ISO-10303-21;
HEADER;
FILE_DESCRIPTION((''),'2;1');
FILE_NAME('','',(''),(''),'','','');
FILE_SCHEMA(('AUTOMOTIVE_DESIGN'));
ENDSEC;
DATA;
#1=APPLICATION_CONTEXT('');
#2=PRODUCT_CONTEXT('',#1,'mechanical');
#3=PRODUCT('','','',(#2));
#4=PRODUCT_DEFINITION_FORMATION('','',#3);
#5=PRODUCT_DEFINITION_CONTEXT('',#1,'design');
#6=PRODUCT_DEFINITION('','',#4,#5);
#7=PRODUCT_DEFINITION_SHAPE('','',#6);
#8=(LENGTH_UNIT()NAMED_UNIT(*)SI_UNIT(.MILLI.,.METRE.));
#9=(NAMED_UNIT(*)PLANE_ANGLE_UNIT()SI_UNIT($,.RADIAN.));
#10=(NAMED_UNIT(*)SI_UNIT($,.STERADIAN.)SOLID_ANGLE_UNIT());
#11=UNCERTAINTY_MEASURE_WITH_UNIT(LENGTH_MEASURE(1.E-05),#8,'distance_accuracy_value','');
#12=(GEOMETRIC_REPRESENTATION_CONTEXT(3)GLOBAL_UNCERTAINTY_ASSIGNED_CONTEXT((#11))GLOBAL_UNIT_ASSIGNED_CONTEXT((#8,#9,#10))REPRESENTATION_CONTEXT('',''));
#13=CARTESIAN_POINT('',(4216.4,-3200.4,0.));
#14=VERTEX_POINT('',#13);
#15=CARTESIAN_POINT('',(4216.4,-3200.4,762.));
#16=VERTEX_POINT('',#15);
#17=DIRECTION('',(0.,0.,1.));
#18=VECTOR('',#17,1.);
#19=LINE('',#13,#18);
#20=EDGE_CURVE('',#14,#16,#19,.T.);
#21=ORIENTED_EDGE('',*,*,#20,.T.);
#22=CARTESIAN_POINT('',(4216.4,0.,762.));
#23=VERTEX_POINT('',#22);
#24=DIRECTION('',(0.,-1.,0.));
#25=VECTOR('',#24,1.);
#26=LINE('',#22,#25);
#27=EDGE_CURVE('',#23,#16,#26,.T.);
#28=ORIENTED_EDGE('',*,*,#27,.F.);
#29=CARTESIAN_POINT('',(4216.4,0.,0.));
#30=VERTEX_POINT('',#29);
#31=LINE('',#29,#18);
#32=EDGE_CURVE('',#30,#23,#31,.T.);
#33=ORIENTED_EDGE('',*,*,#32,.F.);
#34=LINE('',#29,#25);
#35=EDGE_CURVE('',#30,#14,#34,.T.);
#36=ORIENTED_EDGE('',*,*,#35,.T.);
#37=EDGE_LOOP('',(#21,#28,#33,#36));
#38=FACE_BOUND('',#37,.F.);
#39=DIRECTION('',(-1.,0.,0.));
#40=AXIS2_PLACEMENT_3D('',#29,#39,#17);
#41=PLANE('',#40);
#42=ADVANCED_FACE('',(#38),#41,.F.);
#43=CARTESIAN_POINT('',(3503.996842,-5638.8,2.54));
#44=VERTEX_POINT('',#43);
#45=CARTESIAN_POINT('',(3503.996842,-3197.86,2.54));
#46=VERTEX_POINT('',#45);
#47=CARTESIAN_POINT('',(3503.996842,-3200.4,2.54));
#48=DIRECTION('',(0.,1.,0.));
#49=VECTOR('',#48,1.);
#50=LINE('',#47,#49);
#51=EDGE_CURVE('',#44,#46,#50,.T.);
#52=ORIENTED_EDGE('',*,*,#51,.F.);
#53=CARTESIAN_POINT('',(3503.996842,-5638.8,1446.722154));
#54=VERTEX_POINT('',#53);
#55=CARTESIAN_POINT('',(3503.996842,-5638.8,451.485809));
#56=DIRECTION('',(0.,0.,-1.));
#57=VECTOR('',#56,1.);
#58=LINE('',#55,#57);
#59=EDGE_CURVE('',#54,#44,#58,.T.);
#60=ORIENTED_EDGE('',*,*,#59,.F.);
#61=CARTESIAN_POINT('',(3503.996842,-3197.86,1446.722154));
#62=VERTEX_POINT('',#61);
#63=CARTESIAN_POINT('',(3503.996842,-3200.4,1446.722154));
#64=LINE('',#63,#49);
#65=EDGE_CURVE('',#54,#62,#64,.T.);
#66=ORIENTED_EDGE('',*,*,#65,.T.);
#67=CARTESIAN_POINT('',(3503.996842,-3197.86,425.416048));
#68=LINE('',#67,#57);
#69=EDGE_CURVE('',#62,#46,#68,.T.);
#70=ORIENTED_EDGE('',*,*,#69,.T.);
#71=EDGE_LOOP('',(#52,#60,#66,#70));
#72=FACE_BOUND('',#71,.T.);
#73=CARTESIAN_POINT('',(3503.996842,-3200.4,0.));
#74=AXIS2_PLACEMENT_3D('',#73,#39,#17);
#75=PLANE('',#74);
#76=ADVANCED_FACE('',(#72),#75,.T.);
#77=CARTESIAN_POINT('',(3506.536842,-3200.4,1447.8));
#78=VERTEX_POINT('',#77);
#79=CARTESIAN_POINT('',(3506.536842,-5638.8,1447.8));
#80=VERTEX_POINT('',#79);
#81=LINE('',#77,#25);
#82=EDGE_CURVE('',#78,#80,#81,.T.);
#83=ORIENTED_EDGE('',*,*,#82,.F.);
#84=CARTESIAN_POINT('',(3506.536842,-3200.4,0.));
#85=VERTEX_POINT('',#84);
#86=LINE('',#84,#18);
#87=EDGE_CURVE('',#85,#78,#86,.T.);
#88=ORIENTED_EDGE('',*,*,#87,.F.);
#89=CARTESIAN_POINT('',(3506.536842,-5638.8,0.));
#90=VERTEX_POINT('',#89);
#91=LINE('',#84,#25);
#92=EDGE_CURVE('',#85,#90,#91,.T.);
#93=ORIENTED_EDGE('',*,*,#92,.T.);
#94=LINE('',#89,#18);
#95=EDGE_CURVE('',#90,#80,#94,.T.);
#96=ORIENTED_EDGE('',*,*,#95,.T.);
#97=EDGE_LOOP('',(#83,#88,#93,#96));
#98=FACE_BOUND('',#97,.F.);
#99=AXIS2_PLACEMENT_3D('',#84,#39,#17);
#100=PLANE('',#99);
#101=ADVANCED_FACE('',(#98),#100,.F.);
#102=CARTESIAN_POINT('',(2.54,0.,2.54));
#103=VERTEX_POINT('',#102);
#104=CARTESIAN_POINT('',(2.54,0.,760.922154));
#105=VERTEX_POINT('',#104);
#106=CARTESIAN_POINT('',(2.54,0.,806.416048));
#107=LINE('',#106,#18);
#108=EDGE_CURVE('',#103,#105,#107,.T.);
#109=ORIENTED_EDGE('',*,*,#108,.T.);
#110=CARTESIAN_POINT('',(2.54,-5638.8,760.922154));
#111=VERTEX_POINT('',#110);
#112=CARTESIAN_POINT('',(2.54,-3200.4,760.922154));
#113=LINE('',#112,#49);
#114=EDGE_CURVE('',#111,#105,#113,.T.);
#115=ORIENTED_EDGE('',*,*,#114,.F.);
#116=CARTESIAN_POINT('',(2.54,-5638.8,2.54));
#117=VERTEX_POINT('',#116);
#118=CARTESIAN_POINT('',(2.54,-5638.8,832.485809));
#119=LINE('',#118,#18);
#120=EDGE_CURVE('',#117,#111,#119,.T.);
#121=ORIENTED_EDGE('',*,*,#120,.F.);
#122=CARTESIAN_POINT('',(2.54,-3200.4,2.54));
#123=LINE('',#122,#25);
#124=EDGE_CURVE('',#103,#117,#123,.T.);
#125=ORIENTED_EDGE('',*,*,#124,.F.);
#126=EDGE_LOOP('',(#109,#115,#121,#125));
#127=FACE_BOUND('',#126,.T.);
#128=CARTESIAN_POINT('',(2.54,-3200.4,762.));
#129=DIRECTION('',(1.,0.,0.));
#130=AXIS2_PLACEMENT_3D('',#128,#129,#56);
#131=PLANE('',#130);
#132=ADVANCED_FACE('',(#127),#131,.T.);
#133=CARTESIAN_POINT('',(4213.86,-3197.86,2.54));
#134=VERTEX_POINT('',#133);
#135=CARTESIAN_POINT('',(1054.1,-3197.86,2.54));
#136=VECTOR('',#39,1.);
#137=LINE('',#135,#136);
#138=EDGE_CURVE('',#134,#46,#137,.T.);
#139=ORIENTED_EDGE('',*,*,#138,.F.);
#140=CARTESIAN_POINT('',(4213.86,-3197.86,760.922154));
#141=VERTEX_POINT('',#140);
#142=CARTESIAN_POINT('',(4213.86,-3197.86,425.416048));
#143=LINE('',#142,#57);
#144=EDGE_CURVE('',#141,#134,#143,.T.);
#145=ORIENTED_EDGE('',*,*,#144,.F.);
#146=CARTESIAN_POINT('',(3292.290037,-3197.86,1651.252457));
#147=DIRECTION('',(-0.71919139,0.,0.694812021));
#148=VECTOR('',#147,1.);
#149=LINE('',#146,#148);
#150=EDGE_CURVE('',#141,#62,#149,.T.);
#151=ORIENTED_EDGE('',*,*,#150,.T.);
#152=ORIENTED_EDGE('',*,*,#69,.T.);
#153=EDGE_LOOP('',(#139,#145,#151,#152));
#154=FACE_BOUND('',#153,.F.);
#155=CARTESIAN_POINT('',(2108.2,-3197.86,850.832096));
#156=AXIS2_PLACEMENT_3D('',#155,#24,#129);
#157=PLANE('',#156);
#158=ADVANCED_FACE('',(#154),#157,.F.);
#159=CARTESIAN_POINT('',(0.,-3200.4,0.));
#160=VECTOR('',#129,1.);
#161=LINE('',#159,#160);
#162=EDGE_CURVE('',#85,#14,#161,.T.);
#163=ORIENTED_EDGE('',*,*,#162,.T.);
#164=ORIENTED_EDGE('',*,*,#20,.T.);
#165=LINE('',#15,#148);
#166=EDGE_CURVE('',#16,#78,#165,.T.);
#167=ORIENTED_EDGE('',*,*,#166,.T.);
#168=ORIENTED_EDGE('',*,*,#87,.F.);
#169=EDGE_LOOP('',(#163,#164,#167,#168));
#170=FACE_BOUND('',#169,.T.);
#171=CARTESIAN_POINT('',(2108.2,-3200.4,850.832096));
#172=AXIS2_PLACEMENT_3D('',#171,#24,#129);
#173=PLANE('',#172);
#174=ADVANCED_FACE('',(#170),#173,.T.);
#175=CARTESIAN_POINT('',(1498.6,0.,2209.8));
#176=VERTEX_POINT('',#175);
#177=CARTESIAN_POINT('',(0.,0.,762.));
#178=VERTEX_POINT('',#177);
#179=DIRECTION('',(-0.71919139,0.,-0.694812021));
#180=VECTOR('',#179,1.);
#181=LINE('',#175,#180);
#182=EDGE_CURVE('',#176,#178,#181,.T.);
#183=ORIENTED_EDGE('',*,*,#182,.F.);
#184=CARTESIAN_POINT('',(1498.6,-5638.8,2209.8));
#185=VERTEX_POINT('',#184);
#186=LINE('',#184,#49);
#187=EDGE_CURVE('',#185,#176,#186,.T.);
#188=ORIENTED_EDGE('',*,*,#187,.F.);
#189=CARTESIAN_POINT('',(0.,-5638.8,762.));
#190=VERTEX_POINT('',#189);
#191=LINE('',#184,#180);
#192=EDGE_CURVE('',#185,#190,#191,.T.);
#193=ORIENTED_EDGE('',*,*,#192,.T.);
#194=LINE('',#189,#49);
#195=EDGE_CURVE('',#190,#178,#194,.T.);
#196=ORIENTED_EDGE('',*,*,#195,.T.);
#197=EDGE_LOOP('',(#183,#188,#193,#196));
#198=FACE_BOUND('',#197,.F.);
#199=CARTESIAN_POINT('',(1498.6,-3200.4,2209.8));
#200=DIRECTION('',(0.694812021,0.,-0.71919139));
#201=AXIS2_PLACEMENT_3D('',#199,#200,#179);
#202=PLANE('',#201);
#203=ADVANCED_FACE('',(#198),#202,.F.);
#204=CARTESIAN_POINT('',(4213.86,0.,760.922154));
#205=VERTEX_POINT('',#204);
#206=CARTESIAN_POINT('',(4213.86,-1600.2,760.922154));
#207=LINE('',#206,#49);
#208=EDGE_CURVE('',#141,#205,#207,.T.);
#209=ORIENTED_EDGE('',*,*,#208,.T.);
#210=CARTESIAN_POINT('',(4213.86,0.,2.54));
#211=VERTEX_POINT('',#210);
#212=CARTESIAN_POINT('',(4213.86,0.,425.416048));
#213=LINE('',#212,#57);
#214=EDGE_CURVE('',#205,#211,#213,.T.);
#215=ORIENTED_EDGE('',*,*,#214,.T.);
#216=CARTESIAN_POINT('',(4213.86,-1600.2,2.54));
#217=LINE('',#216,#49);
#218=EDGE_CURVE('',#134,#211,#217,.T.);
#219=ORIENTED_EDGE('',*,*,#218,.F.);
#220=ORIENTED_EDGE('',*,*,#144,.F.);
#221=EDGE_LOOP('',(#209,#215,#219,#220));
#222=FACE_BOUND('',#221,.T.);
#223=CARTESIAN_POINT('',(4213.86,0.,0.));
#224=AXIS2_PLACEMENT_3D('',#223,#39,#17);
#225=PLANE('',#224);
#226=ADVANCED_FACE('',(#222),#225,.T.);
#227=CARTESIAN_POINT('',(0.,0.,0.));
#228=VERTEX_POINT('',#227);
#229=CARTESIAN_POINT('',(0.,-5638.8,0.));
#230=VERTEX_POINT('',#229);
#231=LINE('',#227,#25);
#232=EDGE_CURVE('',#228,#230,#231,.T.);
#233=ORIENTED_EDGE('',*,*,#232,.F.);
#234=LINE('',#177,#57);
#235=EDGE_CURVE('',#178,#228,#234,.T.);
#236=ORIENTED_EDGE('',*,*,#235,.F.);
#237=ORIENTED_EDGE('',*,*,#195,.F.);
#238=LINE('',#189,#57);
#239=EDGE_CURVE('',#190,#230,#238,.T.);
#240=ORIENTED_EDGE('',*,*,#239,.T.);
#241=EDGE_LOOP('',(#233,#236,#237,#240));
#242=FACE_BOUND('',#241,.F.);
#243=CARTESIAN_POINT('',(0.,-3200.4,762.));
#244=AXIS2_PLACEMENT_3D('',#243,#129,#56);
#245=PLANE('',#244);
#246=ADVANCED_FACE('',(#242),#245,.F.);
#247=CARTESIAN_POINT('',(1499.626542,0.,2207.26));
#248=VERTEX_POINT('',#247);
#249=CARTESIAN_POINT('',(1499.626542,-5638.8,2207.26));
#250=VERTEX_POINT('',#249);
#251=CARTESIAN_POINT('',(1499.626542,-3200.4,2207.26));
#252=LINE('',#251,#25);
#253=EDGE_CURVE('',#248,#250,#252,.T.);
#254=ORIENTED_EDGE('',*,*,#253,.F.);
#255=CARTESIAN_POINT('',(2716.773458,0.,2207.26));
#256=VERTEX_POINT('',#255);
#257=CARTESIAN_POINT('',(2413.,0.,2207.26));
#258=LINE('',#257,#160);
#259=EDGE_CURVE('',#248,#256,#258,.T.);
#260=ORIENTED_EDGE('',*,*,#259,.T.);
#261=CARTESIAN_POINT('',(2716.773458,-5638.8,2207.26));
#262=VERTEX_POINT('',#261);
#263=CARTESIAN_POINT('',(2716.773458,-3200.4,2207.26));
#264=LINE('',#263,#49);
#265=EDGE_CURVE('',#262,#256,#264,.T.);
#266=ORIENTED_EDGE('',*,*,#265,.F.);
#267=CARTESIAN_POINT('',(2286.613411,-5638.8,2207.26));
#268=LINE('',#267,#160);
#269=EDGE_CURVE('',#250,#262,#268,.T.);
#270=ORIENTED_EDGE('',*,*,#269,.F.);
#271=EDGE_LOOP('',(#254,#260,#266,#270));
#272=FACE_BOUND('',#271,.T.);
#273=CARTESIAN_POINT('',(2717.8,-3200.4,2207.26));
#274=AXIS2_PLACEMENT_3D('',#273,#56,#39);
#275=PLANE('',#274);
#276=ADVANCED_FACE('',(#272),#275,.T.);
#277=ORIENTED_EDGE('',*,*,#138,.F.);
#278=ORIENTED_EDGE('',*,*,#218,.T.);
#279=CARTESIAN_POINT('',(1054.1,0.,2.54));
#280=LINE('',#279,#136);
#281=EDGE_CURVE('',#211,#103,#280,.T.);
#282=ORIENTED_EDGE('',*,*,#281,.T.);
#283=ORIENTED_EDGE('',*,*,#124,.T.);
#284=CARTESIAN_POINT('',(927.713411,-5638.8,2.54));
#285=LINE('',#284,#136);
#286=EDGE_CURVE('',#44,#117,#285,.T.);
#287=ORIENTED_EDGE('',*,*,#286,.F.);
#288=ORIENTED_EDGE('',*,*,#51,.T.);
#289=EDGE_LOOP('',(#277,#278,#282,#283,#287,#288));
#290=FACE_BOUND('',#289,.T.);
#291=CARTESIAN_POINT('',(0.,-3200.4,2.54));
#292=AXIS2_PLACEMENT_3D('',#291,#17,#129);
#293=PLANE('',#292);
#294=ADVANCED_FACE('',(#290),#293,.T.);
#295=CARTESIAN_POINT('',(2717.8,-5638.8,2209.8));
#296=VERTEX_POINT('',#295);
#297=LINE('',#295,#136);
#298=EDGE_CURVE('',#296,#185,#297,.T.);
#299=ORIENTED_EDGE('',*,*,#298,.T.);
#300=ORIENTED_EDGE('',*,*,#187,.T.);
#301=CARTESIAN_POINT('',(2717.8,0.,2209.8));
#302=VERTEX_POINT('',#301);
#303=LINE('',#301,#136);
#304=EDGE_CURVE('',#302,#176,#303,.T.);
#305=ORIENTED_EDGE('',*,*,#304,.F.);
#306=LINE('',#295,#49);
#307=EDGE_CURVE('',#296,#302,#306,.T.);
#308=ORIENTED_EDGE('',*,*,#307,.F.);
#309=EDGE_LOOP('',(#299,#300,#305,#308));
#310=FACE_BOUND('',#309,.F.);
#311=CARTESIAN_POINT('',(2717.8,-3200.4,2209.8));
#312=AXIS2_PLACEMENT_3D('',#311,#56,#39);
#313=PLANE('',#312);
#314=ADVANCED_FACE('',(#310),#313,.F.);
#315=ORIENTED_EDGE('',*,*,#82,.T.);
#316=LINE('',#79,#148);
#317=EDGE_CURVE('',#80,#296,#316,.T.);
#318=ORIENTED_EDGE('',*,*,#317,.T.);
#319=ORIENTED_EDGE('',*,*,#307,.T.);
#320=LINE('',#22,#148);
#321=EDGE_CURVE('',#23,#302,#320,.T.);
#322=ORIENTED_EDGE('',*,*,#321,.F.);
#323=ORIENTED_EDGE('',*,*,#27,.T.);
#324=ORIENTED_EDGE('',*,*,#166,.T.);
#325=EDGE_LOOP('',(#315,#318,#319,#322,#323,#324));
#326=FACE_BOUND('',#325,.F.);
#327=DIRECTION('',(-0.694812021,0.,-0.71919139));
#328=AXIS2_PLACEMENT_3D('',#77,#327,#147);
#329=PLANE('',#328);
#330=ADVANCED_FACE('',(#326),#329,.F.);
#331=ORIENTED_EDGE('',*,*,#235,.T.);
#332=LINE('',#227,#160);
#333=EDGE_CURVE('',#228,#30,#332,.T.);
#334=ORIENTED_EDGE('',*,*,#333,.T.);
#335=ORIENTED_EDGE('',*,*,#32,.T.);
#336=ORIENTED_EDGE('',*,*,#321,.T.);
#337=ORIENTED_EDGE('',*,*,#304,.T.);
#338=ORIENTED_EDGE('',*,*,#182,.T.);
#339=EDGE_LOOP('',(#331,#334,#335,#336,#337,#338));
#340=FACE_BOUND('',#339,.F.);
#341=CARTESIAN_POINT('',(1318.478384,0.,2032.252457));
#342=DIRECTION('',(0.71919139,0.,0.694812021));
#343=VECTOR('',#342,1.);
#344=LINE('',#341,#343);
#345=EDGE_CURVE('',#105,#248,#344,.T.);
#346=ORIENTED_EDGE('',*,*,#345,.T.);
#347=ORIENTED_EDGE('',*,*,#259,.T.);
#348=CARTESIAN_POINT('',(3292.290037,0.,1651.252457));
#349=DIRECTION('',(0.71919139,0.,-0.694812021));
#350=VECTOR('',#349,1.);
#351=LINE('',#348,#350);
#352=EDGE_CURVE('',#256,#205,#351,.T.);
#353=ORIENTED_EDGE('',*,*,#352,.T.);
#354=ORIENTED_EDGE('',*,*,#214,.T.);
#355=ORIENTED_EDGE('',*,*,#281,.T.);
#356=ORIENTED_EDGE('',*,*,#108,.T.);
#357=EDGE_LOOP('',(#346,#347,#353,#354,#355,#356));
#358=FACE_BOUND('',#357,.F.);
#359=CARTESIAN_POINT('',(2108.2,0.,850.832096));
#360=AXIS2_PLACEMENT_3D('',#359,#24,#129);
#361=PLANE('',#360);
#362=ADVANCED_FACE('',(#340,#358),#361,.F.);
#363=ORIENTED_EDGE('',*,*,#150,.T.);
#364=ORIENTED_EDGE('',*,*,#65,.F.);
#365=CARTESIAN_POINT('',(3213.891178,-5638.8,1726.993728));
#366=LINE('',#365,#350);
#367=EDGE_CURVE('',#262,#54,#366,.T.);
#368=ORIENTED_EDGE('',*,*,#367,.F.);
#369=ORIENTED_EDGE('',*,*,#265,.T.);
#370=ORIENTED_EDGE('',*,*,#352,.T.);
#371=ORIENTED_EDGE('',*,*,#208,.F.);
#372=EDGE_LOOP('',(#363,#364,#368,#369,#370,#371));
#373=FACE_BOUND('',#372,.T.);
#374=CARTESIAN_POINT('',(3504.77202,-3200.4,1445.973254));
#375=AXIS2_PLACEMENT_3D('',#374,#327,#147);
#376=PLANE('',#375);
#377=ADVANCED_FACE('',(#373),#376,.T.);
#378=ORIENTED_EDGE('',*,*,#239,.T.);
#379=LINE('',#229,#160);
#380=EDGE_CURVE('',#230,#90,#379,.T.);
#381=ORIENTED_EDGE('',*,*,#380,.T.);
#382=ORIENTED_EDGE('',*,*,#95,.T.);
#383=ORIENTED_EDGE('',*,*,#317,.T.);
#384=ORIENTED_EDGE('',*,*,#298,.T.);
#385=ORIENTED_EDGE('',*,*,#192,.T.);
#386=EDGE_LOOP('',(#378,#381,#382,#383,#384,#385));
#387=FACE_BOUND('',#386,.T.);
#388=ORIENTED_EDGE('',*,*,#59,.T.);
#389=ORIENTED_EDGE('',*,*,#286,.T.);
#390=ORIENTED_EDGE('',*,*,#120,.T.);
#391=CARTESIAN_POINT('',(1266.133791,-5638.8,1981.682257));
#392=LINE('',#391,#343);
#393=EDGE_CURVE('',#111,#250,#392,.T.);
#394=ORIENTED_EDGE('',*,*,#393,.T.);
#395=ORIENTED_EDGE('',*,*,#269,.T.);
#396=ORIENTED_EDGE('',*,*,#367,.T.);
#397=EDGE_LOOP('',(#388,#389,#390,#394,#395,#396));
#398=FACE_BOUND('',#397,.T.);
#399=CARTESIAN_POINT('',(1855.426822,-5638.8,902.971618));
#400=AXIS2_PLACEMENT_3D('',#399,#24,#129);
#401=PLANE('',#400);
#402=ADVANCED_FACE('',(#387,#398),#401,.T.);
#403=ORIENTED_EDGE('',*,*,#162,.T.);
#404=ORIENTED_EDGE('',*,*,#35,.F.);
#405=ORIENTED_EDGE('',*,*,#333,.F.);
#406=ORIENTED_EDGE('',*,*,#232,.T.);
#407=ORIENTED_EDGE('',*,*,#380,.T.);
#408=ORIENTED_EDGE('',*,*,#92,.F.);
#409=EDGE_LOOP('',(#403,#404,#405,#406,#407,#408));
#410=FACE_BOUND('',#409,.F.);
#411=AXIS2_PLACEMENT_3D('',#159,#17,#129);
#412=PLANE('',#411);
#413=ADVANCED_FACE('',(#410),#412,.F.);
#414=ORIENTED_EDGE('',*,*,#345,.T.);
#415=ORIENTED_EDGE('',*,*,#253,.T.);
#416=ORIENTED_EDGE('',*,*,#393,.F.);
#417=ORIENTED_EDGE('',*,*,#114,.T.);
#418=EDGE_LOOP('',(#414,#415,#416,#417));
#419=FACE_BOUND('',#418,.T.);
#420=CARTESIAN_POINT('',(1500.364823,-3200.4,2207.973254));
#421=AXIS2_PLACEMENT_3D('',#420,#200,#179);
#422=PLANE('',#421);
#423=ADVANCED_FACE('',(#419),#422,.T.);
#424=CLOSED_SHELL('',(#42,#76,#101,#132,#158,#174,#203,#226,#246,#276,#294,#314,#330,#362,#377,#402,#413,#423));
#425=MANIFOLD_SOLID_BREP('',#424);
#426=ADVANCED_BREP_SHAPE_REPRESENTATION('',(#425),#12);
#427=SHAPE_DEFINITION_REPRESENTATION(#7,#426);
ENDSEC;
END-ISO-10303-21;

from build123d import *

# Parameters (mm, degrees)
F1_DEPTH = 3200.4
F3_DEPTH = 2438.4
F4_T     = -2.54


with BuildPart() as f1:
    # F0 (on Front) → F1 (new body)
    with BuildSketch(Plane.XZ):
        Polygon((0, 762), (0, 0), (4216.4, 0), (4216.4, 762), (2717.8, 2209.8), (1498.6, 2209.8), align=None)
    extrude(amount=F1_DEPTH)

    # F2 (on face) → F3 (join)
    with BuildSketch(Plane.XZ.offset(3200.4)):
        Polygon((0, 762), (0, 0), (3506.5368421053, 0), (3506.5368421053, 1447.8), (2717.8, 2209.8), (1498.6, 2209.8), align=None)
    extrude(amount=F3_DEPTH)

    # F4
    f4_openings = [f1.faces().sort_by_distance(p)[0] for p in [
        (2108.2, 0, 916.002545),
        (1896.624586, -5638.8, 958.626516),
    ]]
    offset(amount=F4_T, openings=f4_openings, kind=Kind.INTERSECTION)


solid = f1.part
